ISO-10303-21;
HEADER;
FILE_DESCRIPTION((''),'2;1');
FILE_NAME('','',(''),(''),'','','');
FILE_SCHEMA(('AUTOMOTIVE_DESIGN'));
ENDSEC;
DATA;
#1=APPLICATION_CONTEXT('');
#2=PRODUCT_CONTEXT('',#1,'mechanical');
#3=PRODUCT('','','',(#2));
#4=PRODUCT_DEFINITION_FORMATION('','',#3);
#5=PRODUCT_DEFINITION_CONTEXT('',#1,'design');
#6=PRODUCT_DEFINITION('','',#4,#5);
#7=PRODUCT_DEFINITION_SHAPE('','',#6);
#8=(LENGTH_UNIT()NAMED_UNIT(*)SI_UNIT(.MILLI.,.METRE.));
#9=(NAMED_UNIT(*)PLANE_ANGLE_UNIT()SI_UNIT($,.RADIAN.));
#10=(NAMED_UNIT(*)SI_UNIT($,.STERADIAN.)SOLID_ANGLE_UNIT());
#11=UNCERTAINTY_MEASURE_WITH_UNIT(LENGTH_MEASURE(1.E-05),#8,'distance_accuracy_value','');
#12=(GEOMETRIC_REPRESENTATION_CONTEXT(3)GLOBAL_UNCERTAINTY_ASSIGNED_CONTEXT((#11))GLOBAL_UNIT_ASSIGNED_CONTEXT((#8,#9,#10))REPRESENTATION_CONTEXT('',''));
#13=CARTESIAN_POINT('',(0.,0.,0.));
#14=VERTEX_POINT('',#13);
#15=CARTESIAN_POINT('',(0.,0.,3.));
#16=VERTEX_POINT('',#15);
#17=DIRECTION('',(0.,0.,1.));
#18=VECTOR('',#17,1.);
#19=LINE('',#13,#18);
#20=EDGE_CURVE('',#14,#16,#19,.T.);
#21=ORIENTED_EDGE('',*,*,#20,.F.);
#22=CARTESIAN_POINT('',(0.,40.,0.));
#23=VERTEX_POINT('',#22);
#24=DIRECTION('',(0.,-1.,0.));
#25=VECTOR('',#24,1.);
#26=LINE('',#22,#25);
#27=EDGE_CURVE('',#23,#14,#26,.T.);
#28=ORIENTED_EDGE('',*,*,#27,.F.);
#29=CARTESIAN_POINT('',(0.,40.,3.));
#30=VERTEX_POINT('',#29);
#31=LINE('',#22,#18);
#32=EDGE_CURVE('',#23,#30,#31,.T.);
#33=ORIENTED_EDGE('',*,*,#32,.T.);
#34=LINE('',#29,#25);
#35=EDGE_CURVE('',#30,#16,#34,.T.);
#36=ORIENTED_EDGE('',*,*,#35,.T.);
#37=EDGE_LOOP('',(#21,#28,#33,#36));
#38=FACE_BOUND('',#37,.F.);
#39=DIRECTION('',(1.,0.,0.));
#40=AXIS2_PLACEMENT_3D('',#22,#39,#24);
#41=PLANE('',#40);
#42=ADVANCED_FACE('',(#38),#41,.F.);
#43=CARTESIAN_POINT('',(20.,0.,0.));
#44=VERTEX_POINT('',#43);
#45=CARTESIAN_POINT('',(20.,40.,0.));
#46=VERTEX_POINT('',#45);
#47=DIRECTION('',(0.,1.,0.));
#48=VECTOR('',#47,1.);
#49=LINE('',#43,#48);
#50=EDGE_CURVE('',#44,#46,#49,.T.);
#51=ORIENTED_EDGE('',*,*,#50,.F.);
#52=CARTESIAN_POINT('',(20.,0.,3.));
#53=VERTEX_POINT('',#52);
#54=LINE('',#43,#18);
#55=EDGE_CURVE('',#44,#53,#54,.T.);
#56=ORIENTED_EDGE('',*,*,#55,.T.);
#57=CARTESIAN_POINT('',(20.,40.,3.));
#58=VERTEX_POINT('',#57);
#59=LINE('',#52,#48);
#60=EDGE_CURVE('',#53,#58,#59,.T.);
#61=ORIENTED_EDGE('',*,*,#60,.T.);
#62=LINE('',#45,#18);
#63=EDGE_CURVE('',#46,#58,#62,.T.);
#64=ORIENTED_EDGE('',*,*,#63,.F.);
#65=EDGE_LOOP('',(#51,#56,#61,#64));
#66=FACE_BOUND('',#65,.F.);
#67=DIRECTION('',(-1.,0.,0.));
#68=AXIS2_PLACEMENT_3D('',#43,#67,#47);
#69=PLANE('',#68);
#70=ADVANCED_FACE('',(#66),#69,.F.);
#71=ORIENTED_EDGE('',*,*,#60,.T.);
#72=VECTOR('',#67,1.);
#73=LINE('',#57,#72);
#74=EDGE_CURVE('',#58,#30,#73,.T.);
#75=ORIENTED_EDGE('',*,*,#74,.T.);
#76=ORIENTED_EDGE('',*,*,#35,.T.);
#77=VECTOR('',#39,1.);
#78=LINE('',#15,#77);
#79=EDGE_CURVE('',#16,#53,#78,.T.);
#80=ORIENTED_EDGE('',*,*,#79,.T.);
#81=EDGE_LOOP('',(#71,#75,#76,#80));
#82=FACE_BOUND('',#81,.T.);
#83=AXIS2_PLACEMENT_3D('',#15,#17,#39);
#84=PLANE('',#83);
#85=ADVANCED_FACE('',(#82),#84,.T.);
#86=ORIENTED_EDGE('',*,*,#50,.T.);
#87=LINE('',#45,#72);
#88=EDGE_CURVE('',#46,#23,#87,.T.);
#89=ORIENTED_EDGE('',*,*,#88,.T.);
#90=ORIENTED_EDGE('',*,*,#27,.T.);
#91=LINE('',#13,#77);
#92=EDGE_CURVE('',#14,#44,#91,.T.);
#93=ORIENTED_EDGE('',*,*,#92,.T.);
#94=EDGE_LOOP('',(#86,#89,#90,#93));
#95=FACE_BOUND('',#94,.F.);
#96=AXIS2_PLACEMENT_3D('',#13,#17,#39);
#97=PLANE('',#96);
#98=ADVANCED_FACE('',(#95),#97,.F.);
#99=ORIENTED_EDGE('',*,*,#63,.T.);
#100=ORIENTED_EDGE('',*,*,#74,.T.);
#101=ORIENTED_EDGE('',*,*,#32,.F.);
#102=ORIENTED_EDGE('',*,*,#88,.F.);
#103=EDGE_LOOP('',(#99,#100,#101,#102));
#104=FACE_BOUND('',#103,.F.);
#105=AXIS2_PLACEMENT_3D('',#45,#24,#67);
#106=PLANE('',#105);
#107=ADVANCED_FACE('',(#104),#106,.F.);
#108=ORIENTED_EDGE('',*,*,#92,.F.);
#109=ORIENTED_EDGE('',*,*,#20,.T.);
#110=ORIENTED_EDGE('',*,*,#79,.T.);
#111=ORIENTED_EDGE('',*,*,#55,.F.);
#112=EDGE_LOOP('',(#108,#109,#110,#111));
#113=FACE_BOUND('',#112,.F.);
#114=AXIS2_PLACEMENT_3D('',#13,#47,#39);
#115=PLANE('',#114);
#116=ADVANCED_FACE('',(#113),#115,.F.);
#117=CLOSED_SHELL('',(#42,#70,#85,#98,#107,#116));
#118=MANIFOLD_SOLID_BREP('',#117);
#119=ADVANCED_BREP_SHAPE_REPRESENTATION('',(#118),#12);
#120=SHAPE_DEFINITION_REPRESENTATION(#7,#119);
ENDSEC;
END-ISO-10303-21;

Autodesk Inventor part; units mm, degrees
ref_plane "YZ Plane" through (0, 0, 0) normal (1, 0, 0) x (0, 1, 0)
ref_plane "XZ Plane" through (0, 0, 0) normal (0, 1, 0) x (-1, 0, 0)
ref_plane "XY Plane" through (0, 0, 0) normal (0, 0, 1) x (1, 0, 0)
sketch "Sketch1" plane through (0, 0, 0) normal (0, 0, 1) x (1, 0, 0)
  line L0 (0, 0) -> (20, 0)
  line L1 (20, 0) -> (20, 40)
  line L2 (20, 40) -> (0, 40)
  line L3 (0, 40) -> (0, 0)
extrude "Extrusion1" add sketch "Sketch1" along normal blind 3
properties part number "podstawka1"
